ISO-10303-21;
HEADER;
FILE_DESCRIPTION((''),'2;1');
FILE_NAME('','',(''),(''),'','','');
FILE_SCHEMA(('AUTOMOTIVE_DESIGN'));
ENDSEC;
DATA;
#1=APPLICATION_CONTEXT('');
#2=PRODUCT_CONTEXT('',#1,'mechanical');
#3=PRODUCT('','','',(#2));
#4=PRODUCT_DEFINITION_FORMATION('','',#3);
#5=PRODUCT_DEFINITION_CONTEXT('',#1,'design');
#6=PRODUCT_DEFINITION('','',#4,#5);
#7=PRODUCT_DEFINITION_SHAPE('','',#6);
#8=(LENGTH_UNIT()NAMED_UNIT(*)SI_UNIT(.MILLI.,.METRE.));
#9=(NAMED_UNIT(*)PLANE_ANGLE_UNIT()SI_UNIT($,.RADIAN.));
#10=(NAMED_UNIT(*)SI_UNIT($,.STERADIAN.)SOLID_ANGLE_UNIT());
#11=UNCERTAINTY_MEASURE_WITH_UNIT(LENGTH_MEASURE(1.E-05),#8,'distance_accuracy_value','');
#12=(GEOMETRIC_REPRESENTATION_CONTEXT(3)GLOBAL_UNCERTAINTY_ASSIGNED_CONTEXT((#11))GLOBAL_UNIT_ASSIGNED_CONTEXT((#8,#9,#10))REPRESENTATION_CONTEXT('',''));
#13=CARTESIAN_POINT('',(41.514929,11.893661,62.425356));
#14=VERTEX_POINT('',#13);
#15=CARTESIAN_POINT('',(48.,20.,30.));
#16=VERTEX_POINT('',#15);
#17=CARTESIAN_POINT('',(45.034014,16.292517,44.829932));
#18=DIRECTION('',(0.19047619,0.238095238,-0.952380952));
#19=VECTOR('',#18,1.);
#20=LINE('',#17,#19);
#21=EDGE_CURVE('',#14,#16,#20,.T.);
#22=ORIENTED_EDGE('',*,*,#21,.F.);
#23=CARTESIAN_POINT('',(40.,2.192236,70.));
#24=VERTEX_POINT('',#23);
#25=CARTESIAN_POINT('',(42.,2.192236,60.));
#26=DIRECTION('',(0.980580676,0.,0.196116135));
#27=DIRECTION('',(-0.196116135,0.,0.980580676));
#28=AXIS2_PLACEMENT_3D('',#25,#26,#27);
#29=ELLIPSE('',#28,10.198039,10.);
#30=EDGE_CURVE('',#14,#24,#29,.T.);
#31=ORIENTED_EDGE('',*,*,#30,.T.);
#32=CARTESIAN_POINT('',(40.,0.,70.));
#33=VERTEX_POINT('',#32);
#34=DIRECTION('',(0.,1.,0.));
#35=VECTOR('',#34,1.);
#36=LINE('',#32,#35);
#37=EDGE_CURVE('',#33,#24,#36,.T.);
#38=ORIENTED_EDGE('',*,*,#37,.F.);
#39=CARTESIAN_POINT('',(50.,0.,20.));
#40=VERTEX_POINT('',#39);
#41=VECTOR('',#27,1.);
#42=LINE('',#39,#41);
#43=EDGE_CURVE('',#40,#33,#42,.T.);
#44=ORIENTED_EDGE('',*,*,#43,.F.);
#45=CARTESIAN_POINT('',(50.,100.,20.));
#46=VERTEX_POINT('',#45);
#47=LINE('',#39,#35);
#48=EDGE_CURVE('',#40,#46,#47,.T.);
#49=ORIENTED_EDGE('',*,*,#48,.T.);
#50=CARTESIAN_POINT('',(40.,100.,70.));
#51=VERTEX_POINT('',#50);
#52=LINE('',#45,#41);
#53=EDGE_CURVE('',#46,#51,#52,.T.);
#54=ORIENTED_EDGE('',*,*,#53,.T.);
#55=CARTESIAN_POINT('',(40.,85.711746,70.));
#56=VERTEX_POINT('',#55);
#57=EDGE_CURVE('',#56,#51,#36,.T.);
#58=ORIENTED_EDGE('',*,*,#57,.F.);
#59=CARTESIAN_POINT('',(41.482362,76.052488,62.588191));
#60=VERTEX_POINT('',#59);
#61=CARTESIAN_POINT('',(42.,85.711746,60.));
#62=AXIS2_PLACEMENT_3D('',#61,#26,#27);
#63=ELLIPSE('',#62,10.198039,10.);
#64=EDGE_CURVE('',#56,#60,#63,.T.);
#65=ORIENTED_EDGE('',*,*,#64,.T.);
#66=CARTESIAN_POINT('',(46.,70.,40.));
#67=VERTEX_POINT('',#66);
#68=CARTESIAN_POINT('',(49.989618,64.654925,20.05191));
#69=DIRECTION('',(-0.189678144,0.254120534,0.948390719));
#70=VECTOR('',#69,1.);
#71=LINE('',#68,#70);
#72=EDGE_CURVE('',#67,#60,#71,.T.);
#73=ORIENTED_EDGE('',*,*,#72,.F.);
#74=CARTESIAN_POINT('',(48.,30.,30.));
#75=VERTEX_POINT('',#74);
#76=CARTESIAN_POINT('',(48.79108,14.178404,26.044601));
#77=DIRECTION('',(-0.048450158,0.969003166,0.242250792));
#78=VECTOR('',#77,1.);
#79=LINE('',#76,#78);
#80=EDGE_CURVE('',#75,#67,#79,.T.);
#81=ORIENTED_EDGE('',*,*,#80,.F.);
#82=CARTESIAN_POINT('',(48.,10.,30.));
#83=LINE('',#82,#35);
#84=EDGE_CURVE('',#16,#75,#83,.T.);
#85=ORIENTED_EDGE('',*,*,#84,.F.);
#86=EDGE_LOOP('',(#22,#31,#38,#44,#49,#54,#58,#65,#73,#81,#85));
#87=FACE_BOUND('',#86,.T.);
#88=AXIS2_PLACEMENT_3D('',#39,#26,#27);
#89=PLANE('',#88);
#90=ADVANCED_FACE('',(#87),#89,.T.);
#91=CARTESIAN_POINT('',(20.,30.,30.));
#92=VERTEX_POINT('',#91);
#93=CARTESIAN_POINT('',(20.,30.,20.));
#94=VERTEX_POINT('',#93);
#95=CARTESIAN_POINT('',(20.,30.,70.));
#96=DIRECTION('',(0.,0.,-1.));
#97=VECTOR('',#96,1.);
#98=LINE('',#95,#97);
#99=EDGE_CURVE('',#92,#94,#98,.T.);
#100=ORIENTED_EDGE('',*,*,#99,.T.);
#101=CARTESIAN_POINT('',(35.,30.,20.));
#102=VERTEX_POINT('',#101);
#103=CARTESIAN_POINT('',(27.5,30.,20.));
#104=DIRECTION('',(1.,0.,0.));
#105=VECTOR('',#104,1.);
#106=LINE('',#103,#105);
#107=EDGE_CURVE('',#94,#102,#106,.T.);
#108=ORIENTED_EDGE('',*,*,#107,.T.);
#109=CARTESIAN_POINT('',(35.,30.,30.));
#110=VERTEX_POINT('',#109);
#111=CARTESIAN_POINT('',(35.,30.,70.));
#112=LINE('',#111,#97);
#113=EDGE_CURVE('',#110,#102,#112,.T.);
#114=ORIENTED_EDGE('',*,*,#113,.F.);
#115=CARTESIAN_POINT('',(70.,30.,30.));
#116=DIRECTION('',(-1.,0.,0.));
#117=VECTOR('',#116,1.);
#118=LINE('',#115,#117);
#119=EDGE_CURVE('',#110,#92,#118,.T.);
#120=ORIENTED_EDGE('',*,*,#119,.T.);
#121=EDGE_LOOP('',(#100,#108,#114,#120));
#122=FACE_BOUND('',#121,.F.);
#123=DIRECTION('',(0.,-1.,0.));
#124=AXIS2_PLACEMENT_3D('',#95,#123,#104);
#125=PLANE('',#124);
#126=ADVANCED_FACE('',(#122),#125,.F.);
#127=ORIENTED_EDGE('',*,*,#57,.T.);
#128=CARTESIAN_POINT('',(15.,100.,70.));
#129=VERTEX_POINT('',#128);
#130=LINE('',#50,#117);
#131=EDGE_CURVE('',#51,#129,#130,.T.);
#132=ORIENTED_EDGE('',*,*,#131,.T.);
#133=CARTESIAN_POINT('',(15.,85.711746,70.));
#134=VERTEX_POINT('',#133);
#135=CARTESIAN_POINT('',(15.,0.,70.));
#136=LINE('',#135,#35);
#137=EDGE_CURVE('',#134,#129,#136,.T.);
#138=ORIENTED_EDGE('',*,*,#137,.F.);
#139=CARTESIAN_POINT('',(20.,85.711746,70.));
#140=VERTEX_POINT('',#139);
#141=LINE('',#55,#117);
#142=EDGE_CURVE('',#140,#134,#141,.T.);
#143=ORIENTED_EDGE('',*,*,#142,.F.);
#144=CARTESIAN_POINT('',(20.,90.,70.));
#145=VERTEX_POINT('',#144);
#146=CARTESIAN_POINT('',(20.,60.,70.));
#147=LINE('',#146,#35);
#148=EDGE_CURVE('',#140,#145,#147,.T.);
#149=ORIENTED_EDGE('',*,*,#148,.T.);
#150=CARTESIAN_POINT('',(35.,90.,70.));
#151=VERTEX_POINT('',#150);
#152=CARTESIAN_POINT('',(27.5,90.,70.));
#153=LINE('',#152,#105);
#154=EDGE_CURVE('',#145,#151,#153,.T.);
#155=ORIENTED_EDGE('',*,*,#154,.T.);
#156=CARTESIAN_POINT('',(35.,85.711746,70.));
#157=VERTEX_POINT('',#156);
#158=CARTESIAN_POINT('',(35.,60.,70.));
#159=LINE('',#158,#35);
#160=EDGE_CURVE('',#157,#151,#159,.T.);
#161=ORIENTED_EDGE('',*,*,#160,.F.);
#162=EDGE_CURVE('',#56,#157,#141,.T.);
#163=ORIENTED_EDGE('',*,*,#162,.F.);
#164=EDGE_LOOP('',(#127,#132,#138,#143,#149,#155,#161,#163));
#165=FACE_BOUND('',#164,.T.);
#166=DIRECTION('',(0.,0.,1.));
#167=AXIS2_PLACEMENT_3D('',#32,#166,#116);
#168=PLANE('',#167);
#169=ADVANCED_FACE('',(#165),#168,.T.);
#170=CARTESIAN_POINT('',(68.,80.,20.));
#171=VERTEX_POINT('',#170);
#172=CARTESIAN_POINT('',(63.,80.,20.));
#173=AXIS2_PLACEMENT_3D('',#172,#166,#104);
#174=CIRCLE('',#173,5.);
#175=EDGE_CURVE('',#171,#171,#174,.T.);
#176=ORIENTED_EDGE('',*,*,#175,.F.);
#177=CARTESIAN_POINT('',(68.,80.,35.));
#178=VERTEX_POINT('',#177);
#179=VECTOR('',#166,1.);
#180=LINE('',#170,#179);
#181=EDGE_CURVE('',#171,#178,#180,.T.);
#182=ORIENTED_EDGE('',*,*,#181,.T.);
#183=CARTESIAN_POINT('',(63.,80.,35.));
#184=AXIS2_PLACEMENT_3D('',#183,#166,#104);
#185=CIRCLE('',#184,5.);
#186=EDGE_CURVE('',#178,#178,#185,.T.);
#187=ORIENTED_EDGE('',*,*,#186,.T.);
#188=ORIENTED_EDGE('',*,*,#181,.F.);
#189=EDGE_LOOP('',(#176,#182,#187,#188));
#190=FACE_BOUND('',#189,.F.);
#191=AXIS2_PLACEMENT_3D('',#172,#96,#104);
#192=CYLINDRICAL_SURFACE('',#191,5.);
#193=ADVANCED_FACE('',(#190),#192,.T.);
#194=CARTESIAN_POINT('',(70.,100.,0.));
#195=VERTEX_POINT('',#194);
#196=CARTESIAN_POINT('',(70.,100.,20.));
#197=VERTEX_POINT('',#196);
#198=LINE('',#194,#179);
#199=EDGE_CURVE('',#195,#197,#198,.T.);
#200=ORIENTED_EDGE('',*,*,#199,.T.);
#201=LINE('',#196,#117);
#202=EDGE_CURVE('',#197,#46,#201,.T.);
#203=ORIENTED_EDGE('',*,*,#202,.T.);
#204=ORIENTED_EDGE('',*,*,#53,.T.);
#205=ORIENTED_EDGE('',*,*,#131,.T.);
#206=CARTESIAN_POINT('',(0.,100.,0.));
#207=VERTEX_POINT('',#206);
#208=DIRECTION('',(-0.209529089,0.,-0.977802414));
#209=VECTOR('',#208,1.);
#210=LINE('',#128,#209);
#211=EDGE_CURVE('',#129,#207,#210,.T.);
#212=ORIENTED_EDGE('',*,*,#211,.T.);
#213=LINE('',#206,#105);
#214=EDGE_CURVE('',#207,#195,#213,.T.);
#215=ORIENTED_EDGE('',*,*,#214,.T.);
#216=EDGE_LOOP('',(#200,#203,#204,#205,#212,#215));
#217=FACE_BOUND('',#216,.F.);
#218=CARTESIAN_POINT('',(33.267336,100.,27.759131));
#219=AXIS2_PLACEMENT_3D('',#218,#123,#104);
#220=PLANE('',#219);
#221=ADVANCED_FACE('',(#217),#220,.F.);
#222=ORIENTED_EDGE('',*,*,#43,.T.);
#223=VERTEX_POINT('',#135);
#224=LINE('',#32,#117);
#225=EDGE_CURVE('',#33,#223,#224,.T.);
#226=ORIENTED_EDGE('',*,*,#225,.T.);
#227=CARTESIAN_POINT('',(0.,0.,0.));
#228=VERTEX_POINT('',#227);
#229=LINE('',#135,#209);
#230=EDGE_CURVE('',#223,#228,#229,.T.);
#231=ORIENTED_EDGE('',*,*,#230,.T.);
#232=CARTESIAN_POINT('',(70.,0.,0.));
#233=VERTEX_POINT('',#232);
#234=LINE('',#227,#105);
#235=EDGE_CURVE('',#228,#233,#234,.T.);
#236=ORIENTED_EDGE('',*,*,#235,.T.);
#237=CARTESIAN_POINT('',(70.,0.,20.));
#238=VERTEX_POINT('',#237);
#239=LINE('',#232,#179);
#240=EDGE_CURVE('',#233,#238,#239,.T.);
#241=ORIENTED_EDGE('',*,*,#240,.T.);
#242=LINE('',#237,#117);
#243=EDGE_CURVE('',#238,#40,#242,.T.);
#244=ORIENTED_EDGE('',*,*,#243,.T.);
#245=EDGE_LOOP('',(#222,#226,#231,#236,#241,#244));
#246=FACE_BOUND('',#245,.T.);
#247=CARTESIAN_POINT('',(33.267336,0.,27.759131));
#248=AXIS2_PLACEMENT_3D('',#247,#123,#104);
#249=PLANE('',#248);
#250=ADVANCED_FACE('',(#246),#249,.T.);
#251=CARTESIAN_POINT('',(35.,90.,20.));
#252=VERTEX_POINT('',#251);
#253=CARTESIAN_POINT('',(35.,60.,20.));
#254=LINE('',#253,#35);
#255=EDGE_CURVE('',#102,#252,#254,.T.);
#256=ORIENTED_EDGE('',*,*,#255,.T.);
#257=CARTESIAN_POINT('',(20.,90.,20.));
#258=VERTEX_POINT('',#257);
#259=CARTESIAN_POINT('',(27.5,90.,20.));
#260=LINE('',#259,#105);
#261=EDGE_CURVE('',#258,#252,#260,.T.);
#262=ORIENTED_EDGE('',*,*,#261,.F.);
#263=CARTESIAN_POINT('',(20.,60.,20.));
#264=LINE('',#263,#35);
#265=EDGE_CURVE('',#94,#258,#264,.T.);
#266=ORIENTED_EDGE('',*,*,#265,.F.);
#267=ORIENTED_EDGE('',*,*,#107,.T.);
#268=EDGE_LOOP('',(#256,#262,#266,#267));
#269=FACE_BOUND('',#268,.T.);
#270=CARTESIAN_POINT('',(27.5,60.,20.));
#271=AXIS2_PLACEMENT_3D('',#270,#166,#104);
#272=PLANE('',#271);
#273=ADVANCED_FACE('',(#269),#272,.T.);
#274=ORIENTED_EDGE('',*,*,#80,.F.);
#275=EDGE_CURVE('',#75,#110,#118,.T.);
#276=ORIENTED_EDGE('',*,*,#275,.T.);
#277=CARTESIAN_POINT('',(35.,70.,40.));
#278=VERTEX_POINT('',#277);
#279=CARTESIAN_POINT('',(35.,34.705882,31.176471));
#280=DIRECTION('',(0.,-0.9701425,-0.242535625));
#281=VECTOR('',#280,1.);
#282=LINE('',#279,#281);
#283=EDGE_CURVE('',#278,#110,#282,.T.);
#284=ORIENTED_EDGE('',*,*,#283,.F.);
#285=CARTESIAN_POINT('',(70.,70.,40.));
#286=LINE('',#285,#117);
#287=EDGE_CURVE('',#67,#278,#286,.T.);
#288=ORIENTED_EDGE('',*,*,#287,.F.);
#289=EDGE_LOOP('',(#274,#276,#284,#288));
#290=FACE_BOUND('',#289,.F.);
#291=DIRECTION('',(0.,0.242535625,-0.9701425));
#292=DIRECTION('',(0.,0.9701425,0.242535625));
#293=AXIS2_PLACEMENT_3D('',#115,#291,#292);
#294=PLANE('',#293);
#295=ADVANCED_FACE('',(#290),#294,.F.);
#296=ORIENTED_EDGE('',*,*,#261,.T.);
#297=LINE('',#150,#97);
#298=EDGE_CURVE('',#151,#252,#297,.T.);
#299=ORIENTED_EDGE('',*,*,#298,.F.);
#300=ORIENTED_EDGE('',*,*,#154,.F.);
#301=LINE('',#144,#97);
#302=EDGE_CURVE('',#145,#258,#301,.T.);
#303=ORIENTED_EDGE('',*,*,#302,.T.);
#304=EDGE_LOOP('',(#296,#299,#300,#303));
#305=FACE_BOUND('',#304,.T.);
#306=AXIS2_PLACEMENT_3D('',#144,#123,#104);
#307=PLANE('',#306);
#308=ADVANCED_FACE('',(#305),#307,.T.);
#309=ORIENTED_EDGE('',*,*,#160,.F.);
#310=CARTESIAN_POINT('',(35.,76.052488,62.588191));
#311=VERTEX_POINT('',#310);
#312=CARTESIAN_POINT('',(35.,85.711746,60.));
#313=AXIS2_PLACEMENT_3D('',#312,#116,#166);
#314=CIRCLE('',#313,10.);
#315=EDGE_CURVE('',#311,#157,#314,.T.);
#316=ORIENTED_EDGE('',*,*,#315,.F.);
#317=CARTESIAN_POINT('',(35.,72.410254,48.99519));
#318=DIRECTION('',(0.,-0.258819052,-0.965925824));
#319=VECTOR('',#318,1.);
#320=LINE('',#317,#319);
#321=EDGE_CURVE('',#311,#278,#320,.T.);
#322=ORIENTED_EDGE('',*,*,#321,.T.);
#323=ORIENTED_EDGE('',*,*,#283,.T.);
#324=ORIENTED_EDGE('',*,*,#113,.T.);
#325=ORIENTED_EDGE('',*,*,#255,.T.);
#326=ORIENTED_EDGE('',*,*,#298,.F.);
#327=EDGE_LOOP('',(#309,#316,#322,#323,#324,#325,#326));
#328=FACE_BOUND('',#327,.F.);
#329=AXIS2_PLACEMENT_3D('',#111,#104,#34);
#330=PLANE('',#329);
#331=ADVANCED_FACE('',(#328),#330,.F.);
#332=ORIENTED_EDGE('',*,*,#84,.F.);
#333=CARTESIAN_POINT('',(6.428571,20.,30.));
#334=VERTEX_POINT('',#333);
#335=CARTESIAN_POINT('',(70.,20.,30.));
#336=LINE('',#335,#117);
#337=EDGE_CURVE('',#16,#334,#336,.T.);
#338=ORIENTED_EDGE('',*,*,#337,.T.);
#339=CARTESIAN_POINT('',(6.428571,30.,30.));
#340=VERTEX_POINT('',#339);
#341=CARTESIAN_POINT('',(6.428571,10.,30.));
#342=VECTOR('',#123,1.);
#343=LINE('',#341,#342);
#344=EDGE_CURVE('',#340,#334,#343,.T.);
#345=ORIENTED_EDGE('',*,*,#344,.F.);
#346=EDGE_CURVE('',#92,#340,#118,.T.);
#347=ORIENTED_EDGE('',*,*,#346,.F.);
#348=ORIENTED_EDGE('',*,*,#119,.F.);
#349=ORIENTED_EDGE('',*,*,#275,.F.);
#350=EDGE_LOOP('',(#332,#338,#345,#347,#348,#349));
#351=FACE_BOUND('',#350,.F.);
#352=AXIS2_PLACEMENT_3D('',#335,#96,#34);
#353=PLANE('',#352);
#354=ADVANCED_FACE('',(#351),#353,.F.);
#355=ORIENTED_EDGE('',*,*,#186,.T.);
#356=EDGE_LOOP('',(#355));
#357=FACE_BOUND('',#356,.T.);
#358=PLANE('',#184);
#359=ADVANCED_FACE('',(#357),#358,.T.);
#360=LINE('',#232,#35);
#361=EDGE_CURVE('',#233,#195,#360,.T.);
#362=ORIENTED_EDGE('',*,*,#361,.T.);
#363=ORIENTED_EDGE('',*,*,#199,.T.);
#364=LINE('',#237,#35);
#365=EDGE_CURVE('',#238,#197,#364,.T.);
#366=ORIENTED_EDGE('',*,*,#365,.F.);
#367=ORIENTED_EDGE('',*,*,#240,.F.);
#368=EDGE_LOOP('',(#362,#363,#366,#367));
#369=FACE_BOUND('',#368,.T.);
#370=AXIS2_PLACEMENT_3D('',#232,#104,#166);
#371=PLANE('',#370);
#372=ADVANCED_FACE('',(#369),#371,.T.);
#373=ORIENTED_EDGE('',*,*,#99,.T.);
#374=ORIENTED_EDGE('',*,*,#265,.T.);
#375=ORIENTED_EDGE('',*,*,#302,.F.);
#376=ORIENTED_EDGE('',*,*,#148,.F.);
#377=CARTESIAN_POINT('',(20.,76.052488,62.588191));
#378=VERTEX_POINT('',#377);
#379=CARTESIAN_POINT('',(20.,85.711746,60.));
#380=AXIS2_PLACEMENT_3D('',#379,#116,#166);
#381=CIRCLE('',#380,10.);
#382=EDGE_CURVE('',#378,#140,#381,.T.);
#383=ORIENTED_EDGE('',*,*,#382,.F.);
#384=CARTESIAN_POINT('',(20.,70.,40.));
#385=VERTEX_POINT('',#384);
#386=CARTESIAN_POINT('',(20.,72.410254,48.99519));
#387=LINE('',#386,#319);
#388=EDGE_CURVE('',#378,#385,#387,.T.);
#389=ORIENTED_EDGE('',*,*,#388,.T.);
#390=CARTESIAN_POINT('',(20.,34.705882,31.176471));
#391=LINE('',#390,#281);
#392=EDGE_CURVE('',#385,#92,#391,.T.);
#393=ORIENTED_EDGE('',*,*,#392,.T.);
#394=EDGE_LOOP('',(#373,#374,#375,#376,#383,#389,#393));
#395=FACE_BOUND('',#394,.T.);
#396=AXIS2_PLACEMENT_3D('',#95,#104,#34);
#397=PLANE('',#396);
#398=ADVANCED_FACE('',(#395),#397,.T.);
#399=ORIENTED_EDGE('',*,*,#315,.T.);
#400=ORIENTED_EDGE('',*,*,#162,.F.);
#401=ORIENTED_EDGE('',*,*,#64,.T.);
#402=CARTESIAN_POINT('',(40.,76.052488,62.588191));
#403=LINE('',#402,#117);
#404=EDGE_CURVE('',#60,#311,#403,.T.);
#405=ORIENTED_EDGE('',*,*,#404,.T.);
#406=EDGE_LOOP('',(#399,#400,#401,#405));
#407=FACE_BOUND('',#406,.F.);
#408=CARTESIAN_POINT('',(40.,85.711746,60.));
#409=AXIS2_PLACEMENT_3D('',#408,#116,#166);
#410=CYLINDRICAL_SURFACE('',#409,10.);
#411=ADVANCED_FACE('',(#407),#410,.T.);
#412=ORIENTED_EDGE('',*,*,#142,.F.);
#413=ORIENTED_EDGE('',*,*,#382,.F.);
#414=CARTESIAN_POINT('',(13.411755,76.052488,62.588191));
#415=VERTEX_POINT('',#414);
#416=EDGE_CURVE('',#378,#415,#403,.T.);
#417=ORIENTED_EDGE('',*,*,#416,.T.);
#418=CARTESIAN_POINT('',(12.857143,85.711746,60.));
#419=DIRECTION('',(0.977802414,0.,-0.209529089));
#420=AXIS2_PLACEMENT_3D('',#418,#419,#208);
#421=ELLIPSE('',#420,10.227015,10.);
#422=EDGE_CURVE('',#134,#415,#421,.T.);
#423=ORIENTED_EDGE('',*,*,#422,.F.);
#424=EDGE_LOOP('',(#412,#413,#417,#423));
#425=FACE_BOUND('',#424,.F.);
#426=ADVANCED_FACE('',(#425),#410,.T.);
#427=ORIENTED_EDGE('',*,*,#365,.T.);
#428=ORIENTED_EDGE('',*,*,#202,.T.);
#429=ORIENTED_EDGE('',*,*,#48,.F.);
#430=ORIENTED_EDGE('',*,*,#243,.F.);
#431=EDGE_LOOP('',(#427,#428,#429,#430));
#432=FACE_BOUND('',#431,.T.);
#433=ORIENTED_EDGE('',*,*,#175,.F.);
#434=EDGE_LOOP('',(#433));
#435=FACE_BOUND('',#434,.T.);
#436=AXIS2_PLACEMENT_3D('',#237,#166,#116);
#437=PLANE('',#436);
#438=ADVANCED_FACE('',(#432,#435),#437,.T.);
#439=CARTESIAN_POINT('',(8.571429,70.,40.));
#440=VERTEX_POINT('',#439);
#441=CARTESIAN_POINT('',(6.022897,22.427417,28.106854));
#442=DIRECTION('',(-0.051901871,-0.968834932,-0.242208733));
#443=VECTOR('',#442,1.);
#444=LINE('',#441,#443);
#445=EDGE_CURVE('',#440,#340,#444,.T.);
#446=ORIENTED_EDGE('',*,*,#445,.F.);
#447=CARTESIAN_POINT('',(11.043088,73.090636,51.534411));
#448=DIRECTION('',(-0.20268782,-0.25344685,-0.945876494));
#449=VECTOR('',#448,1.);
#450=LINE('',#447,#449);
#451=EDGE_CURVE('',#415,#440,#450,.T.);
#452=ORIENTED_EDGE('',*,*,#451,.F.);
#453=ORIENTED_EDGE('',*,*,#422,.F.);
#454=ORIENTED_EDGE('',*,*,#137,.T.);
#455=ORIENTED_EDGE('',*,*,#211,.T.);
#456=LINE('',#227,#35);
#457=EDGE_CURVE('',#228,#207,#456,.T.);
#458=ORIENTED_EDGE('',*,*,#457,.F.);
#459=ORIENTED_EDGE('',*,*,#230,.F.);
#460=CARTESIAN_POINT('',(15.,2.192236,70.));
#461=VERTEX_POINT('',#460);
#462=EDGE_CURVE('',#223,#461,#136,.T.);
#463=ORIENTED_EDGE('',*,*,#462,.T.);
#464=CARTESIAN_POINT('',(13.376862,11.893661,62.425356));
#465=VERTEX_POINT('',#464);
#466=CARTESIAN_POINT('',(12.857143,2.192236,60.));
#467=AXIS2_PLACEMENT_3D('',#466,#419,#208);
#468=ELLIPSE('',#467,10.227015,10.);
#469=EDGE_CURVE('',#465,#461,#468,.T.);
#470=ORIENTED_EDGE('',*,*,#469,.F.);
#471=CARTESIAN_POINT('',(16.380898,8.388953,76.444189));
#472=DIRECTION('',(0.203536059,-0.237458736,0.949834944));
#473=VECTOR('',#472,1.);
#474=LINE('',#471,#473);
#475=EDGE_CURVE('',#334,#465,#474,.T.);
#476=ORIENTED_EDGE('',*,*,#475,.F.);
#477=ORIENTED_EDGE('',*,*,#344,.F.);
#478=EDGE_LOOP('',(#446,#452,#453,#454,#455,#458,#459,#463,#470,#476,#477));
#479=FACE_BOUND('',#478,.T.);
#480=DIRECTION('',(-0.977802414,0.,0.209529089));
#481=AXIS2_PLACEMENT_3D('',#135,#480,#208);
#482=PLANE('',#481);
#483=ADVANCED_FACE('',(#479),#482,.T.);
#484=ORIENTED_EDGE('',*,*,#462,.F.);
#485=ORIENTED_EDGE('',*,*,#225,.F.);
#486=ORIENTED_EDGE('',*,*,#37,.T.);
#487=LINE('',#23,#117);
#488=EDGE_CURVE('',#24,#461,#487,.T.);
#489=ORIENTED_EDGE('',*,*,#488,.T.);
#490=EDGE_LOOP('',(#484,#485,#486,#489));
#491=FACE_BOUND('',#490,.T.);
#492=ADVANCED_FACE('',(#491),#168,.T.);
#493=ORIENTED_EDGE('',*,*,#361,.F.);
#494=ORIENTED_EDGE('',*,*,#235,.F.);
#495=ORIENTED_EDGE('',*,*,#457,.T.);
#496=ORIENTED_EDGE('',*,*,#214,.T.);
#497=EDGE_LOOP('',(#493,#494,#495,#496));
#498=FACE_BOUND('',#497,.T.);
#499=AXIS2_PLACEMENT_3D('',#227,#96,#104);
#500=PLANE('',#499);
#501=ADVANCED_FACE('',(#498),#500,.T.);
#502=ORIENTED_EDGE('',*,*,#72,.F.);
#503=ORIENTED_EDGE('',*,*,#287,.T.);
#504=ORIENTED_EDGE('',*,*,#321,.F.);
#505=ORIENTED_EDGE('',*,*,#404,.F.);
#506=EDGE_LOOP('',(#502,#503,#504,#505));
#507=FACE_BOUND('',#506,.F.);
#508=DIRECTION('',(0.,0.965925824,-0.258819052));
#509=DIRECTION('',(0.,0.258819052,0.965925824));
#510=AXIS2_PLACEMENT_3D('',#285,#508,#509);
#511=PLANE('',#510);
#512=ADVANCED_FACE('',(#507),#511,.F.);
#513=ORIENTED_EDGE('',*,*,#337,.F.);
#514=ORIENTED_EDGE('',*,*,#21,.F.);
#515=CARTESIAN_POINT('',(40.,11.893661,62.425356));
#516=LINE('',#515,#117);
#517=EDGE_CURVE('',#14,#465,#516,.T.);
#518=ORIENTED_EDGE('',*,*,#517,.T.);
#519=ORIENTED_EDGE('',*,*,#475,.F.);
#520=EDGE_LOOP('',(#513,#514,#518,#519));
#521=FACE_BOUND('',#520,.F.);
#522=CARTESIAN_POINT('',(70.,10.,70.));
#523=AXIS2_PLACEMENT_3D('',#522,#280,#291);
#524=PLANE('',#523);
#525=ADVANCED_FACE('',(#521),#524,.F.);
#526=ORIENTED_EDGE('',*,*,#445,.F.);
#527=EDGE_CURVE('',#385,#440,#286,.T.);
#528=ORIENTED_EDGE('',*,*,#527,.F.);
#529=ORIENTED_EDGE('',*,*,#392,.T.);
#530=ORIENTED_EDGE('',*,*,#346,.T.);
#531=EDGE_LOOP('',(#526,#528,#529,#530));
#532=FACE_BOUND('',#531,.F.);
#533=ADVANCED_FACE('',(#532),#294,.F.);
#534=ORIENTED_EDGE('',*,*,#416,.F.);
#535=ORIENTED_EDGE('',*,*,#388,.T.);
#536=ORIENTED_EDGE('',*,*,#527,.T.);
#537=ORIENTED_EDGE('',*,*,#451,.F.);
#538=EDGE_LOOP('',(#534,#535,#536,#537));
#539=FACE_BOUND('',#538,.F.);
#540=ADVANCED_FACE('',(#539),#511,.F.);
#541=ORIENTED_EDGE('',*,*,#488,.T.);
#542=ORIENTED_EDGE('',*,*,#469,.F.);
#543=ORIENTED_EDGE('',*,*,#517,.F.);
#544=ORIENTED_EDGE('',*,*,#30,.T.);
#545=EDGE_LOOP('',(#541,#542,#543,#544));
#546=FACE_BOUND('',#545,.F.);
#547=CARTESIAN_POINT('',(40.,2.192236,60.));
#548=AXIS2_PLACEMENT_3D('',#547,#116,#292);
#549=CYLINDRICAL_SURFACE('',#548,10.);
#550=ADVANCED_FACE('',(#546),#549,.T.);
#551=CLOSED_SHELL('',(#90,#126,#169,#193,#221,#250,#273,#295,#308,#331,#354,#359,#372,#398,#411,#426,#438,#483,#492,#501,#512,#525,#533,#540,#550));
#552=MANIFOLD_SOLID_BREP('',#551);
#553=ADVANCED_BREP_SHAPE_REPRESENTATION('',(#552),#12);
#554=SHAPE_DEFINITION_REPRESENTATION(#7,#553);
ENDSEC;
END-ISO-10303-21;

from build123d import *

# Parameters (mm, degrees)
F1_DEPTH = 100
F3_DEPTH = 70.001
F4_R     = 10
F5_W     = 15
F5_H     = 60
F6_DEPTH = 50
F7_R     = 5
F8_DEPTH = 15


with BuildPart() as f1:
    # F0 (on Front) → F1 (new body)
    with BuildSketch(Plane.XZ):
        Polygon((15, 70), (0, 0), (70, 0), (70, 20), (50, 20), (40, 70), align=None)
    extrude(amount=-F1_DEPTH)

    # F2 (on face) → F3 (cut, through all)
    with BuildSketch(Plane.YZ.offset(70)):
        Polygon((78.038476, 70), (10, 70), (20, 30), (30, 30), (70, 40), align=None)
    extrude(amount=-F3_DEPTH, mode=Mode.SUBTRACT)

    # F4
    f4_edges = [f1.edges().sort_by_distance(p)[0] for p in [
        (27.5, 10, 70),
        (27.5, 78.038476, 70),
    ]]
    fillet(f4_edges, radius=F4_R)

    # F5 (on face) → F6 (cut)
    with BuildSketch(Plane.XY.offset(70)):
        with Locations((27.5, 60)):
            Rectangle(F5_W, F5_H)
    extrude(amount=-F6_DEPTH, mode=Mode.SUBTRACT)

    # F7 (on face) → F8 (join)
    with BuildSketch(Plane.XY.offset(20)):
        with Locations((63, 80)):
            Circle(F7_R)
    extrude(amount=F8_DEPTH)


solid = f1.part
